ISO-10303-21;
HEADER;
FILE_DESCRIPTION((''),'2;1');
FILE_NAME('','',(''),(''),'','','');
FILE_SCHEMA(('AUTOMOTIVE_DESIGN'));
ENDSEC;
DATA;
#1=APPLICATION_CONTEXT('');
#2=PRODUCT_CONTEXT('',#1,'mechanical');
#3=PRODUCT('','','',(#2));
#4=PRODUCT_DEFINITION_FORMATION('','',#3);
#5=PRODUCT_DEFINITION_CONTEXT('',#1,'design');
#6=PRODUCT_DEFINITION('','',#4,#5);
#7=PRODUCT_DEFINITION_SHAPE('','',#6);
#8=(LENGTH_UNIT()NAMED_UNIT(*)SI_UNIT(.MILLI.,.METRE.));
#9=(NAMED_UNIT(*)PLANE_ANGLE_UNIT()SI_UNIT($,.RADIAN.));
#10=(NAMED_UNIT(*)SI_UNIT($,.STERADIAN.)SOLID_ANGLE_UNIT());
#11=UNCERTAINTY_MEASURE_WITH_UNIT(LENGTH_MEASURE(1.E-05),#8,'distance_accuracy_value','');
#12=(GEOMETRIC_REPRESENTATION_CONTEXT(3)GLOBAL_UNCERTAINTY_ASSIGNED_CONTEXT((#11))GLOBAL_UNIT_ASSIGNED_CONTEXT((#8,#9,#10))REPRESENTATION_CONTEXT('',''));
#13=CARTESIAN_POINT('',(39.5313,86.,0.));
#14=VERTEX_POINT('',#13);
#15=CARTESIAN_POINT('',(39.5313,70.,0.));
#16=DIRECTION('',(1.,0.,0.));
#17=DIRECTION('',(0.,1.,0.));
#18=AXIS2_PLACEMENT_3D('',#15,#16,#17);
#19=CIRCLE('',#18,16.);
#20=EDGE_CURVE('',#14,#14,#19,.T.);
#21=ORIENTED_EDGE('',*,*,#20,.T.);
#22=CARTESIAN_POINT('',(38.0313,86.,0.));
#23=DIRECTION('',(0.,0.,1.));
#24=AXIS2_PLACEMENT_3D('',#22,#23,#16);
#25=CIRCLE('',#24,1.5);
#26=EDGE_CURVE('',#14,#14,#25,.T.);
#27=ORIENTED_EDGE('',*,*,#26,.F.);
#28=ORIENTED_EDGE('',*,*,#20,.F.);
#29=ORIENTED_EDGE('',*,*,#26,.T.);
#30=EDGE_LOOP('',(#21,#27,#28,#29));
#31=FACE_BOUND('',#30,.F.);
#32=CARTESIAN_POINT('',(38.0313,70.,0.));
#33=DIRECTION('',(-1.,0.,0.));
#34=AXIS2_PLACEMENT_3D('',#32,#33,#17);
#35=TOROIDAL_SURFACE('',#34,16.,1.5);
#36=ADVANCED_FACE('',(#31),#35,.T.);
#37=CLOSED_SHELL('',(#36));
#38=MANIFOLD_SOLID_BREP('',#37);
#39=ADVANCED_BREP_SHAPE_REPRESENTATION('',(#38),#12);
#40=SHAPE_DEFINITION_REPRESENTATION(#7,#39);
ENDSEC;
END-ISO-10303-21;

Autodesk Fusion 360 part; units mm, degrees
sketch "Esboço2" plane through (0, 0, 0) normal (0, 0, 1) x (1, 0, 0)
  line L0 (38, 70) -> (46, 70)
  circle A0 centre (38.0313, 86) radius 1.5
  dimension "d439" = 3
  dimension "d440" = 16
revolve "Revolucionar1" add sketch "Esboço2" angle 360 about axis through (38, 70, 0) along (1, 0, 0)
